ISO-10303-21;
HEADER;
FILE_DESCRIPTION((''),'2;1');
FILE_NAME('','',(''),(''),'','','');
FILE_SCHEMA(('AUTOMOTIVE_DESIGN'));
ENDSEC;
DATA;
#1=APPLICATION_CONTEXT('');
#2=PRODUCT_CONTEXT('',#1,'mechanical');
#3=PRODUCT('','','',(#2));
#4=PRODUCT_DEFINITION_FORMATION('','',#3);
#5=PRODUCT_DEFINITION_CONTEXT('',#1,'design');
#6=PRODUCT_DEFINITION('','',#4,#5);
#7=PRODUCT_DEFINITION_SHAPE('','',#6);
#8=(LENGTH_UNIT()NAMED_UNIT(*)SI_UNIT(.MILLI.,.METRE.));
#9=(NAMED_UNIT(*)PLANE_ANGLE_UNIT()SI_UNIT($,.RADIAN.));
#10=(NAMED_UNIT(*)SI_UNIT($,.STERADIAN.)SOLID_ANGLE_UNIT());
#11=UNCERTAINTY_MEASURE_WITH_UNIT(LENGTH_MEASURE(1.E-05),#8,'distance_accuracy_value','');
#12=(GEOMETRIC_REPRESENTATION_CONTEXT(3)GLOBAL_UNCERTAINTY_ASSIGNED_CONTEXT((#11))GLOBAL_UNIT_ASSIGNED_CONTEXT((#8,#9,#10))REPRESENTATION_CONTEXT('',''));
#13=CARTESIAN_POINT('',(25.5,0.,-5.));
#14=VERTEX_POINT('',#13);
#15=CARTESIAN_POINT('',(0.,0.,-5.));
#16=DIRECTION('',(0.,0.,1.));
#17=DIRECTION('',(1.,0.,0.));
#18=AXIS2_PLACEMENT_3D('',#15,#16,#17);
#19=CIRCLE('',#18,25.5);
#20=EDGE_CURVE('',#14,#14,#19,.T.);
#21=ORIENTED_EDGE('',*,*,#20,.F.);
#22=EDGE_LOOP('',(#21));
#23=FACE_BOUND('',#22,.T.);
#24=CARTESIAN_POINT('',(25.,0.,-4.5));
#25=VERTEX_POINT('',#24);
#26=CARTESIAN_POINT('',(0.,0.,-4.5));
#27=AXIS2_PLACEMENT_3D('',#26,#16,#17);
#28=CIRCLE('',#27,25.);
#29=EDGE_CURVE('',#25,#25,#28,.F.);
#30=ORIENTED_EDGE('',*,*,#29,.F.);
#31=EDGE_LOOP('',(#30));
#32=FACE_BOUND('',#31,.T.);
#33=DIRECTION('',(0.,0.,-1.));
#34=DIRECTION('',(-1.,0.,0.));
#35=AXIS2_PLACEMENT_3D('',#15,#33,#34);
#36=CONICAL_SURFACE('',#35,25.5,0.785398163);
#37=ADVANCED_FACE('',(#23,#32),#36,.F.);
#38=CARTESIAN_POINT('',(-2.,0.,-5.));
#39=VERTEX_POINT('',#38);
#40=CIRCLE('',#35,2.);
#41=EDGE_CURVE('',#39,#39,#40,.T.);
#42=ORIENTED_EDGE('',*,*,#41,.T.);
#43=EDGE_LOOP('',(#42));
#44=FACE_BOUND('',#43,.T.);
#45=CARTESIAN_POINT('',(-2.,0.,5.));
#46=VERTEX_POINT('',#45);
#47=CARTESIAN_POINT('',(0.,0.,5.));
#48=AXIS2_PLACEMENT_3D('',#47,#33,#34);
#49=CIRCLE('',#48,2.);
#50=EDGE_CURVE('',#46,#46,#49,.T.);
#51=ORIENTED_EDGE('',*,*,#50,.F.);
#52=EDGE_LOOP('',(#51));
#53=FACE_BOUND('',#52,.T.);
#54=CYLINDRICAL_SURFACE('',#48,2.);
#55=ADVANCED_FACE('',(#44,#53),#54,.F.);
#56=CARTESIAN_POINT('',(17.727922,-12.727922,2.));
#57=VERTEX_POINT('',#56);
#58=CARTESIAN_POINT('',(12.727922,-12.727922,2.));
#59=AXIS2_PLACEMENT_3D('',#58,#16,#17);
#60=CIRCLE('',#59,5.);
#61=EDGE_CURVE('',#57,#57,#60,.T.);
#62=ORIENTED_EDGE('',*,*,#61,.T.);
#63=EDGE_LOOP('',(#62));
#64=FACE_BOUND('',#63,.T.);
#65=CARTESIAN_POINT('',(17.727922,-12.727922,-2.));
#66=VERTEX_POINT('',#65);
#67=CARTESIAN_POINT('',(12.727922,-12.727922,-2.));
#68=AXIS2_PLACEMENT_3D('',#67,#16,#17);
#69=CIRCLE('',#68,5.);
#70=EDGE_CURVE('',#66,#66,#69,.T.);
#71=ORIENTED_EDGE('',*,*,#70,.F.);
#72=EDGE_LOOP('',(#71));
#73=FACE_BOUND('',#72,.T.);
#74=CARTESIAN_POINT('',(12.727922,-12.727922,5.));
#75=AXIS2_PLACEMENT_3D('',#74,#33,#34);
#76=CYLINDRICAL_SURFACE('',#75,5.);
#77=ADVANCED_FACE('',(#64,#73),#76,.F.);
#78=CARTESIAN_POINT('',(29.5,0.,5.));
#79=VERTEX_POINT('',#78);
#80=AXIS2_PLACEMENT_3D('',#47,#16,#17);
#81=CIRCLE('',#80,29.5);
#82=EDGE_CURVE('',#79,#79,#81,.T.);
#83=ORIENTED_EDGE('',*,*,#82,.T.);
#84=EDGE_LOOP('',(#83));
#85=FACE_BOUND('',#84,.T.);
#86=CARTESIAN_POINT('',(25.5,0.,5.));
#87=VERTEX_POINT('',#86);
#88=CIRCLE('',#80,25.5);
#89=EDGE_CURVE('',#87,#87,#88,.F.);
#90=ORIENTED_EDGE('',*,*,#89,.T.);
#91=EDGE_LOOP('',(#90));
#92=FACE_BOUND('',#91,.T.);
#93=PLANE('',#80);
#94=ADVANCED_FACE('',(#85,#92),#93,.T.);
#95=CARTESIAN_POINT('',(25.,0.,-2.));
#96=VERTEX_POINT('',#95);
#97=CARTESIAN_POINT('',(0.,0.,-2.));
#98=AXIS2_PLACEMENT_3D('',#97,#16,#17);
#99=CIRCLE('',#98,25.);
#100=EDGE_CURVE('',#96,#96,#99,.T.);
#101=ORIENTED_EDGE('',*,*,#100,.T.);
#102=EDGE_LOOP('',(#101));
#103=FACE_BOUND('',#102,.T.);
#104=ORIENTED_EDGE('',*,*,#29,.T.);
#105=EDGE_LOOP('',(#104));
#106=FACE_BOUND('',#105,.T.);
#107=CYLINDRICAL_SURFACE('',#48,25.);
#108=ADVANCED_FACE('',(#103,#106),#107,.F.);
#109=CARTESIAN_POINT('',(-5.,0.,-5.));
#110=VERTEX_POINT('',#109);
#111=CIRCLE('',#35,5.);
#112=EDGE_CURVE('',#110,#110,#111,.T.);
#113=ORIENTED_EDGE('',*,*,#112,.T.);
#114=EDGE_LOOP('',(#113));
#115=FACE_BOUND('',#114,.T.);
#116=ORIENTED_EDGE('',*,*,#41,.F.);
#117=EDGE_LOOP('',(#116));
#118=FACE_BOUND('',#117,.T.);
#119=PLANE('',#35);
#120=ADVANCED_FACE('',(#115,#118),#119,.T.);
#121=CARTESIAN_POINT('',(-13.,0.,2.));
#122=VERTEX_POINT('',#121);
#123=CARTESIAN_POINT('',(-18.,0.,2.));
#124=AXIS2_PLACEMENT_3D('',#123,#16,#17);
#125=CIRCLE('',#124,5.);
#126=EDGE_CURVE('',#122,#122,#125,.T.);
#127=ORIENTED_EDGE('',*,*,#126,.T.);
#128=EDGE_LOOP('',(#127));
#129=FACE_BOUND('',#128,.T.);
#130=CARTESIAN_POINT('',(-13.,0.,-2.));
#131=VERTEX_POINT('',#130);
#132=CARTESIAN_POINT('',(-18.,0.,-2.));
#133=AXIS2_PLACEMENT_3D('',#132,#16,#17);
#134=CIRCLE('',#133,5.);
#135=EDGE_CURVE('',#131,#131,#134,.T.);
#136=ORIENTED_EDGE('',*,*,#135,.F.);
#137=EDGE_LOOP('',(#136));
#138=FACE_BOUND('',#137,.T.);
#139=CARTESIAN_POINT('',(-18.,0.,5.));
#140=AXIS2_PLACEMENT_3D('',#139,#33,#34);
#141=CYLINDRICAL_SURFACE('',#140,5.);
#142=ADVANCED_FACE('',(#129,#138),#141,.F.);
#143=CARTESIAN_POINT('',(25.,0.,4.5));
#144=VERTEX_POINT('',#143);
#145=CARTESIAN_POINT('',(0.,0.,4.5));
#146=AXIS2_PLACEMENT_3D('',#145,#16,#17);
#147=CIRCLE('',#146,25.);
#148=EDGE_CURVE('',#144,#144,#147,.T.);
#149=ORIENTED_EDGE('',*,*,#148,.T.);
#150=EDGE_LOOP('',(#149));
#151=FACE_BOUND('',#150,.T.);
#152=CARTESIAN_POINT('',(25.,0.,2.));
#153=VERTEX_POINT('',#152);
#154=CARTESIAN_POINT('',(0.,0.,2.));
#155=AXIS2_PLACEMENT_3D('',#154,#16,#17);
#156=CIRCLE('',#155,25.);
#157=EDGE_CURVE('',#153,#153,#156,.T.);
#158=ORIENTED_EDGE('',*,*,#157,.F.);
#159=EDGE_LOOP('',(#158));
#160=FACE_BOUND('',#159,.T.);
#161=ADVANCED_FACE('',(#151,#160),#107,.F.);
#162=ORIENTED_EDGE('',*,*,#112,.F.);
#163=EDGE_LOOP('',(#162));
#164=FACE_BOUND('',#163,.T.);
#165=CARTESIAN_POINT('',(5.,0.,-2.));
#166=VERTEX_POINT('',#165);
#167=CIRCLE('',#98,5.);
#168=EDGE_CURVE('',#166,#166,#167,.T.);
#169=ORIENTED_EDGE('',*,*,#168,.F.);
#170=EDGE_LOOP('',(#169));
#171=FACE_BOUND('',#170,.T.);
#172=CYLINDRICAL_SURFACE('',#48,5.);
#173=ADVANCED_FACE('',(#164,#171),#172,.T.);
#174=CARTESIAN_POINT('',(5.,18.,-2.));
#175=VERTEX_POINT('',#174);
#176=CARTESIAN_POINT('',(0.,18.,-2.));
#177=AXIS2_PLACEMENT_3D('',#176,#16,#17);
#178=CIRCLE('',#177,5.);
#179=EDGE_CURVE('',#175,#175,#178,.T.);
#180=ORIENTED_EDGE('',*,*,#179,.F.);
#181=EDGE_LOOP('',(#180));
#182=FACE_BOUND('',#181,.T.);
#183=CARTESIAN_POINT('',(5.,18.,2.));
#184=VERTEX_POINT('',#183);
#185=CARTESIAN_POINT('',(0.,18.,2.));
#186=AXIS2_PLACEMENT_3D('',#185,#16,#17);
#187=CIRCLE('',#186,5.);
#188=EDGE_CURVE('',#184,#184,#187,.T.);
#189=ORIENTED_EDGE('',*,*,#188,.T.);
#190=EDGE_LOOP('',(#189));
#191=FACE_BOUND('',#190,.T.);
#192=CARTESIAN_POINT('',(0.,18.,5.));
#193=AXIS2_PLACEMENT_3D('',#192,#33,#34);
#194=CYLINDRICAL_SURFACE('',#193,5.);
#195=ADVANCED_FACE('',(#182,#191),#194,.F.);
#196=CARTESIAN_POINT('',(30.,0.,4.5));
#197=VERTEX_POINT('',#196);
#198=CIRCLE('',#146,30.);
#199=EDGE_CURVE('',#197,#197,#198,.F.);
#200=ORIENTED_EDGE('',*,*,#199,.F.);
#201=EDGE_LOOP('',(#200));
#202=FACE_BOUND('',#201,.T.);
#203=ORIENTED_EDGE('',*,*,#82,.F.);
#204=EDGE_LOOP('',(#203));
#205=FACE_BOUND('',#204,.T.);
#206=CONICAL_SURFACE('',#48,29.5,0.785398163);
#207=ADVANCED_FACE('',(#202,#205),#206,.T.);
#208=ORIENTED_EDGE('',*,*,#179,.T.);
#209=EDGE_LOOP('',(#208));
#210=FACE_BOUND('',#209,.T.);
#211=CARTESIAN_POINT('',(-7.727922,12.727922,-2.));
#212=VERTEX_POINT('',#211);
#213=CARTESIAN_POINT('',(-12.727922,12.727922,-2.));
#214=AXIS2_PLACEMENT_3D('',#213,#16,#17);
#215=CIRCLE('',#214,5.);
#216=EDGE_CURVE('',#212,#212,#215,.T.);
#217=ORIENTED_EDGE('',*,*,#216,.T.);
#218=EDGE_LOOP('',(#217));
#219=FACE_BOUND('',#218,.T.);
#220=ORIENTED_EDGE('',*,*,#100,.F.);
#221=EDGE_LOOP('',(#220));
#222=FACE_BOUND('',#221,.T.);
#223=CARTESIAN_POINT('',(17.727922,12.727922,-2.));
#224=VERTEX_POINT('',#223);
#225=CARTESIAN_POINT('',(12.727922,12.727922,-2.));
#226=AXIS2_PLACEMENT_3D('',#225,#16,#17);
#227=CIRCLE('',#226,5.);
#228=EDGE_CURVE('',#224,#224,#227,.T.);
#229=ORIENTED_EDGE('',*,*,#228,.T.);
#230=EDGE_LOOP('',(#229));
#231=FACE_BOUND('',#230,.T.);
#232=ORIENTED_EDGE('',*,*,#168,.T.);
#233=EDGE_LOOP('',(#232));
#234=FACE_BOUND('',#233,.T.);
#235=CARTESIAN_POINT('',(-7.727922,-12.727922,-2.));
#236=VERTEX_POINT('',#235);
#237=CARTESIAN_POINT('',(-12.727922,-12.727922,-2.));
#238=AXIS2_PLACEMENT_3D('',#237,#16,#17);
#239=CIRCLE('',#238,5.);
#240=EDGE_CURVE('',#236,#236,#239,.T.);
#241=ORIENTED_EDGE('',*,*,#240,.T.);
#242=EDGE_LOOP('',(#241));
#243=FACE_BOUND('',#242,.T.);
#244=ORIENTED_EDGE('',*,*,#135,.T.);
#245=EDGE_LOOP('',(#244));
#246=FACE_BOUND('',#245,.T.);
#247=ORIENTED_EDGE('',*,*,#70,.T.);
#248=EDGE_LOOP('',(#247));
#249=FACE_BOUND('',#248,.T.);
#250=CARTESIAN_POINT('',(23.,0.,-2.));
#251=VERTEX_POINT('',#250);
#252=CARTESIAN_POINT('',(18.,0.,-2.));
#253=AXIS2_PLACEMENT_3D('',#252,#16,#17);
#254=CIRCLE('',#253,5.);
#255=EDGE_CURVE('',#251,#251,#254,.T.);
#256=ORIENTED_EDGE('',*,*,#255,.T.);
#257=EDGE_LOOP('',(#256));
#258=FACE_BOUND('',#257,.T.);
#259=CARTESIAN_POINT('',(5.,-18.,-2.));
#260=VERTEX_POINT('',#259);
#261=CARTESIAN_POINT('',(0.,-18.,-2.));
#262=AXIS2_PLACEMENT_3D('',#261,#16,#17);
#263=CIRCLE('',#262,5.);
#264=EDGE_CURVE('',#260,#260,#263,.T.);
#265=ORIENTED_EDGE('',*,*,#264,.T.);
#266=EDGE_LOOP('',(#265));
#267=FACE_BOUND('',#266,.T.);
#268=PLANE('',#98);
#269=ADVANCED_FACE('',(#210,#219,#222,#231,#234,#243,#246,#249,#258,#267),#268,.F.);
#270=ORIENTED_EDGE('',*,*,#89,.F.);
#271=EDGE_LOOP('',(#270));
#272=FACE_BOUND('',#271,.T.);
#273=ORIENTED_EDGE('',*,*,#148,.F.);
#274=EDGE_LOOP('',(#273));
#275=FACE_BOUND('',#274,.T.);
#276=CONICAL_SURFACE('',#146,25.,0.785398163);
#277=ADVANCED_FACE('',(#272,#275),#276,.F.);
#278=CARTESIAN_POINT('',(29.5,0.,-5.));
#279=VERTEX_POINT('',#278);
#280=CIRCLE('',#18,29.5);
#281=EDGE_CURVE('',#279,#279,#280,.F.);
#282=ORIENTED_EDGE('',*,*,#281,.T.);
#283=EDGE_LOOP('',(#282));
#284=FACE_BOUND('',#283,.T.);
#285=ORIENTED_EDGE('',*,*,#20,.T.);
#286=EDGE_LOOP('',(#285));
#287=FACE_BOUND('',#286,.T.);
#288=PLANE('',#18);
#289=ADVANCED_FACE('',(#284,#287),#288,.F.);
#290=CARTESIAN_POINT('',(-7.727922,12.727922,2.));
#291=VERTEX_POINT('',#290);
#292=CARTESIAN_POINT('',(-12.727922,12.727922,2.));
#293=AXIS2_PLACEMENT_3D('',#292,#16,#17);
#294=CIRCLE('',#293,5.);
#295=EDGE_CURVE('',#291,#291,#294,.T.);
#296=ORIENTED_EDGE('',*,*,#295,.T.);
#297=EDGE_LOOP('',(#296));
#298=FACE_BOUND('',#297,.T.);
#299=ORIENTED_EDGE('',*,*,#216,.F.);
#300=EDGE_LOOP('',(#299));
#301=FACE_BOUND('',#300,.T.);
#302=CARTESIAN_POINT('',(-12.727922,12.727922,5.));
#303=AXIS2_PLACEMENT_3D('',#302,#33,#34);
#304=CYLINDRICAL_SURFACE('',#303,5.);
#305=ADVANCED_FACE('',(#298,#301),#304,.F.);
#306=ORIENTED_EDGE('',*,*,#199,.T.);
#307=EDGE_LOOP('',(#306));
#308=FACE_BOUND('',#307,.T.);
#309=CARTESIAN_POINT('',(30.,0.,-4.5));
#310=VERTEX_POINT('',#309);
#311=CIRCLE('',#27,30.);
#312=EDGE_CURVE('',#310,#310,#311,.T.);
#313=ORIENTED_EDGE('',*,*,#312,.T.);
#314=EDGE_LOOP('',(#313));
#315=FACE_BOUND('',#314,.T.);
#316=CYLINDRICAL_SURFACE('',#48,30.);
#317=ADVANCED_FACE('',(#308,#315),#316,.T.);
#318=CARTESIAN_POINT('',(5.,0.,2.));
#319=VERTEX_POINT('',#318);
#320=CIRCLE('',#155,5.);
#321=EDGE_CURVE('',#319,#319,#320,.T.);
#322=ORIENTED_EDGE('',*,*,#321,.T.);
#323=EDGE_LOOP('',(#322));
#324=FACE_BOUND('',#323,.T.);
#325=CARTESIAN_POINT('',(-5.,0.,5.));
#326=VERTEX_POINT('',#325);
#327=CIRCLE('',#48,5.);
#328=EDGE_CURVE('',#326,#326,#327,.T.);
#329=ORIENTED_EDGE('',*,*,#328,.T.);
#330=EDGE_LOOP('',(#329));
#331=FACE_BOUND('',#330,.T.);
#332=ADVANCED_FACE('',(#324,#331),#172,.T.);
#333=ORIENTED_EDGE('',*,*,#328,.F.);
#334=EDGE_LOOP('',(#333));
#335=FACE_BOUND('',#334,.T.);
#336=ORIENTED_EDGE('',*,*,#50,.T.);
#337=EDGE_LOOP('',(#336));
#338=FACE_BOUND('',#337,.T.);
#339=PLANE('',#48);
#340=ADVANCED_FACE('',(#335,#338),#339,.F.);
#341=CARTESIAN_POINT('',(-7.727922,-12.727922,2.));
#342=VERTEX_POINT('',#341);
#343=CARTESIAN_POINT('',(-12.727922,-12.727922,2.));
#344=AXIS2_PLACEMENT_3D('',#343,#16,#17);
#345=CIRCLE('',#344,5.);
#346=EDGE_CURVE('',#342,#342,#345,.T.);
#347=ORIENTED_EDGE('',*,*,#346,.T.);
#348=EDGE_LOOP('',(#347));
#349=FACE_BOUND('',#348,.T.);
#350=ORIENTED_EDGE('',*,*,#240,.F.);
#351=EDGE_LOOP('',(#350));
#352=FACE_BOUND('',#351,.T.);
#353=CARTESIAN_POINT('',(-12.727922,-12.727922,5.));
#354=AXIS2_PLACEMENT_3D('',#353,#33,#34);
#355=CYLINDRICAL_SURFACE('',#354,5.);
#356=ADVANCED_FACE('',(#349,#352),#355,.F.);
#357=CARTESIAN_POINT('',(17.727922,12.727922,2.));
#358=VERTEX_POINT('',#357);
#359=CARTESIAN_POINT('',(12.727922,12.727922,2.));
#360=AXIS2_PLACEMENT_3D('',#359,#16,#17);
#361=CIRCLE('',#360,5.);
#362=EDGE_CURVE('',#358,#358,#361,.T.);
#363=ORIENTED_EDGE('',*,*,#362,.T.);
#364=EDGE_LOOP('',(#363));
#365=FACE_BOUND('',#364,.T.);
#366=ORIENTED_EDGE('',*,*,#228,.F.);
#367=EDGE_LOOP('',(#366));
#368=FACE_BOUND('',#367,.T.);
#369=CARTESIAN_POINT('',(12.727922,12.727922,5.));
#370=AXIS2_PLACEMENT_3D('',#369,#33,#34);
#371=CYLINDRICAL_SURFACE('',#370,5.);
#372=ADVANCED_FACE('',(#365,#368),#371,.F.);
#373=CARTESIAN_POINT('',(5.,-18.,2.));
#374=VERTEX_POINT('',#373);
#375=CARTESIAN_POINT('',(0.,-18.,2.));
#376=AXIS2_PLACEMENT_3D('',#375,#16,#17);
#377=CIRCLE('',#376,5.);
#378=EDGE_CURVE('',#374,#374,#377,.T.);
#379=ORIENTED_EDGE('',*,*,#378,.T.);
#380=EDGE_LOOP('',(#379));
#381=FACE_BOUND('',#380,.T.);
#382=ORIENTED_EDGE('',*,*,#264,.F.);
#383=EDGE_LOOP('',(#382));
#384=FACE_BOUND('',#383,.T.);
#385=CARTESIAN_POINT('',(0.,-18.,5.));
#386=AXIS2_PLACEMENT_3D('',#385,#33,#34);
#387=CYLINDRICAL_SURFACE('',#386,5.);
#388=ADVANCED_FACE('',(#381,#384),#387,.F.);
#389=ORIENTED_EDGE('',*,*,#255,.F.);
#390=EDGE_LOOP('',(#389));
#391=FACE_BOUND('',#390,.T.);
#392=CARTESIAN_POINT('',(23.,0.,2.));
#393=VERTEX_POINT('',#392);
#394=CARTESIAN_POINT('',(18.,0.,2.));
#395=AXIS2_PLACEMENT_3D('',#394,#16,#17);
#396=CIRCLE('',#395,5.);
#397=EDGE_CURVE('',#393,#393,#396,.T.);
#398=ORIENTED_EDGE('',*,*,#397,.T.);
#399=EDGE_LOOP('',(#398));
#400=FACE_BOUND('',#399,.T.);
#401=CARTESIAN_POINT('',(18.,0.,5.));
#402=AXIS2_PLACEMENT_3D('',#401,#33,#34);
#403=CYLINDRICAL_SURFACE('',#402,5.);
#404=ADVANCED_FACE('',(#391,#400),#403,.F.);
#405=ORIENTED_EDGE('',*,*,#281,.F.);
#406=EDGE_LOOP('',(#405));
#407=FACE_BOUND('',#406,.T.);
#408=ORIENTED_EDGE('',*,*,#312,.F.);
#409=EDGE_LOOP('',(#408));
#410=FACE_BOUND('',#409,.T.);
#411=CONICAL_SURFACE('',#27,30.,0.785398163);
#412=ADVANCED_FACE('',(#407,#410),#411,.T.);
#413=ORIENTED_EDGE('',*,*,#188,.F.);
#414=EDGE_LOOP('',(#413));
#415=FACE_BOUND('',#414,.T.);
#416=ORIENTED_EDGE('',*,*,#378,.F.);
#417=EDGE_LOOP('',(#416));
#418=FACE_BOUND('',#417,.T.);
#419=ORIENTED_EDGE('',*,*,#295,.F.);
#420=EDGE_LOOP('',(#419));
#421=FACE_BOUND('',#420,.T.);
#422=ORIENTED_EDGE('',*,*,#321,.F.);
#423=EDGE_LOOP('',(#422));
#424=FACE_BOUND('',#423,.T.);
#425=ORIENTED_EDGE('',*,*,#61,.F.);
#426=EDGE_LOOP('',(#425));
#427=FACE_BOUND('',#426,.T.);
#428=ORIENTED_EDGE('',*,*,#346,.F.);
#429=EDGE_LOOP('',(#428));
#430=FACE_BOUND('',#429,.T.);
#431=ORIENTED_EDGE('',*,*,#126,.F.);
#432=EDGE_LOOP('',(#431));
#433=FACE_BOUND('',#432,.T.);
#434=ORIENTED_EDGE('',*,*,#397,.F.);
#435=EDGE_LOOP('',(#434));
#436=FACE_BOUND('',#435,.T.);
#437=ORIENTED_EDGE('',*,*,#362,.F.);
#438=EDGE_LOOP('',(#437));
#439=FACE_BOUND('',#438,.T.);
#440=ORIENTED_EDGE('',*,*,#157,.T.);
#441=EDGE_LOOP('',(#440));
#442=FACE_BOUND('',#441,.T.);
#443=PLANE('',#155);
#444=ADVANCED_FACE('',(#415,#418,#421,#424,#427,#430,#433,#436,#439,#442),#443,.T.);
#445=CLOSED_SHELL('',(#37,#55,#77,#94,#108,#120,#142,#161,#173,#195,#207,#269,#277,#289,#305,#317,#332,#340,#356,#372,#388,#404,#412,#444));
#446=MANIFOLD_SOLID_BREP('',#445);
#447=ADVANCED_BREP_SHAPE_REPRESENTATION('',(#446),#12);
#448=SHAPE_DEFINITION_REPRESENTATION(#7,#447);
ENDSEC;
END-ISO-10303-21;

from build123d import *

# Parameters (mm, degrees)
SKETCH1_R                = 30
SKETCH1_R_2              = 25
BOSS_EXTRUDE1_DEPTH      = 5
SKETCH2_R                = 25
BOSS_EXTRUDE2_DEPTH      = 2
CUT_EXTRUDE1_DEPTH       = 43.720018727
CUT_EXTRUDE1_DEPTH_BACK  = 43.720018727
SKETCH2_4_R              = 5
BOSS_EXTRUDE3_DEPTH      = 3
BOSS_EXTRUDE3_DEPTH_BACK = 7
SKETCH3_R                = 5
SKETCH3_R_2              = 2
CUT_EXTRUDE2_DEPTH       = 44
CUT_EXTRUDE2_DEPTH_BACK  = 44
SKETCH4_R                = 5
CHAMFER1_SIZE            = 0.5


with BuildPart() as part:
    # Sketch1 → Boss-Extrude1 (new, symmetric)
    with BuildSketch(Plane.XY):
        Circle(SKETCH1_R)
        Circle(SKETCH1_R_2, mode=Mode.SUBTRACT)
    extrude(amount=BOSS_EXTRUDE1_DEPTH, both=True)

    # Sketch2 → Boss-Extrude2 (add, symmetric)
    with BuildSketch(Plane.XY):
        Circle(SKETCH2_R)
    extrude(amount=BOSS_EXTRUDE2_DEPTH, both=True)

    # Sketch2<4> → Cut-Extrude1 (cut, two sides: drawn at the far end of the back side and taken through both)
    with BuildSketch(Plane.XY.offset(-CUT_EXTRUDE1_DEPTH_BACK)):
        Circle(SKETCH2_4_R)
    extrude(amount=CUT_EXTRUDE1_DEPTH + CUT_EXTRUDE1_DEPTH_BACK, mode=Mode.SUBTRACT)

    # Sketch3 → Boss-Extrude3 (add, two sides: drawn at the far end of the back side and taken through both)
    with BuildSketch(Plane(origin=(0, 0, -2), x_dir=(-1, 0, 0), z_dir=(0, 0, -1)).offset(-BOSS_EXTRUDE3_DEPTH_BACK)):
        Circle(SKETCH3_R)
        Circle(SKETCH3_R_2, mode=Mode.SUBTRACT)
    extrude(amount=BOSS_EXTRUDE3_DEPTH + BOSS_EXTRUDE3_DEPTH_BACK)

    # Sketch4 → Cut-Extrude2 (cut, two sides: drawn at the far end of the back side and taken through both)
    with BuildSketch(Plane(origin=(0, 0, -2), x_dir=(-1, 0, 0), z_dir=(0, 0, -1)).offset(-CUT_EXTRUDE2_DEPTH_BACK)):
        with Locations((0, 18)):
            Circle(SKETCH4_R)
        with Locations((12.727922061, 12.727922061)):
            Circle(SKETCH4_R)
        with Locations((18, 0)):
            Circle(SKETCH4_R)
        with Locations((12.727922061, -12.727922061)):
            Circle(SKETCH4_R)
        with Locations((0, -18)):
            Circle(SKETCH4_R)
        with Locations((-12.727922061, -12.727922061)):
            Circle(SKETCH4_R)
        with Locations((-18, 0)):
            Circle(SKETCH4_R)
        with Locations((-12.727922061, 12.727922061)):
            Circle(SKETCH4_R)
    extrude(amount=CUT_EXTRUDE2_DEPTH + CUT_EXTRUDE2_DEPTH_BACK, mode=Mode.SUBTRACT)

    # Chamfer1
    chamfer1_edges = [part.edges().sort_by_distance(p)[0] for p in [
        (-25, 0, 5),
        (-30, 0, 5),
        (-25, 0, -5),
        (-30, 0, -5),
    ]]
    chamfer(chamfer1_edges, length=CHAMFER1_SIZE)


solid = part.part
